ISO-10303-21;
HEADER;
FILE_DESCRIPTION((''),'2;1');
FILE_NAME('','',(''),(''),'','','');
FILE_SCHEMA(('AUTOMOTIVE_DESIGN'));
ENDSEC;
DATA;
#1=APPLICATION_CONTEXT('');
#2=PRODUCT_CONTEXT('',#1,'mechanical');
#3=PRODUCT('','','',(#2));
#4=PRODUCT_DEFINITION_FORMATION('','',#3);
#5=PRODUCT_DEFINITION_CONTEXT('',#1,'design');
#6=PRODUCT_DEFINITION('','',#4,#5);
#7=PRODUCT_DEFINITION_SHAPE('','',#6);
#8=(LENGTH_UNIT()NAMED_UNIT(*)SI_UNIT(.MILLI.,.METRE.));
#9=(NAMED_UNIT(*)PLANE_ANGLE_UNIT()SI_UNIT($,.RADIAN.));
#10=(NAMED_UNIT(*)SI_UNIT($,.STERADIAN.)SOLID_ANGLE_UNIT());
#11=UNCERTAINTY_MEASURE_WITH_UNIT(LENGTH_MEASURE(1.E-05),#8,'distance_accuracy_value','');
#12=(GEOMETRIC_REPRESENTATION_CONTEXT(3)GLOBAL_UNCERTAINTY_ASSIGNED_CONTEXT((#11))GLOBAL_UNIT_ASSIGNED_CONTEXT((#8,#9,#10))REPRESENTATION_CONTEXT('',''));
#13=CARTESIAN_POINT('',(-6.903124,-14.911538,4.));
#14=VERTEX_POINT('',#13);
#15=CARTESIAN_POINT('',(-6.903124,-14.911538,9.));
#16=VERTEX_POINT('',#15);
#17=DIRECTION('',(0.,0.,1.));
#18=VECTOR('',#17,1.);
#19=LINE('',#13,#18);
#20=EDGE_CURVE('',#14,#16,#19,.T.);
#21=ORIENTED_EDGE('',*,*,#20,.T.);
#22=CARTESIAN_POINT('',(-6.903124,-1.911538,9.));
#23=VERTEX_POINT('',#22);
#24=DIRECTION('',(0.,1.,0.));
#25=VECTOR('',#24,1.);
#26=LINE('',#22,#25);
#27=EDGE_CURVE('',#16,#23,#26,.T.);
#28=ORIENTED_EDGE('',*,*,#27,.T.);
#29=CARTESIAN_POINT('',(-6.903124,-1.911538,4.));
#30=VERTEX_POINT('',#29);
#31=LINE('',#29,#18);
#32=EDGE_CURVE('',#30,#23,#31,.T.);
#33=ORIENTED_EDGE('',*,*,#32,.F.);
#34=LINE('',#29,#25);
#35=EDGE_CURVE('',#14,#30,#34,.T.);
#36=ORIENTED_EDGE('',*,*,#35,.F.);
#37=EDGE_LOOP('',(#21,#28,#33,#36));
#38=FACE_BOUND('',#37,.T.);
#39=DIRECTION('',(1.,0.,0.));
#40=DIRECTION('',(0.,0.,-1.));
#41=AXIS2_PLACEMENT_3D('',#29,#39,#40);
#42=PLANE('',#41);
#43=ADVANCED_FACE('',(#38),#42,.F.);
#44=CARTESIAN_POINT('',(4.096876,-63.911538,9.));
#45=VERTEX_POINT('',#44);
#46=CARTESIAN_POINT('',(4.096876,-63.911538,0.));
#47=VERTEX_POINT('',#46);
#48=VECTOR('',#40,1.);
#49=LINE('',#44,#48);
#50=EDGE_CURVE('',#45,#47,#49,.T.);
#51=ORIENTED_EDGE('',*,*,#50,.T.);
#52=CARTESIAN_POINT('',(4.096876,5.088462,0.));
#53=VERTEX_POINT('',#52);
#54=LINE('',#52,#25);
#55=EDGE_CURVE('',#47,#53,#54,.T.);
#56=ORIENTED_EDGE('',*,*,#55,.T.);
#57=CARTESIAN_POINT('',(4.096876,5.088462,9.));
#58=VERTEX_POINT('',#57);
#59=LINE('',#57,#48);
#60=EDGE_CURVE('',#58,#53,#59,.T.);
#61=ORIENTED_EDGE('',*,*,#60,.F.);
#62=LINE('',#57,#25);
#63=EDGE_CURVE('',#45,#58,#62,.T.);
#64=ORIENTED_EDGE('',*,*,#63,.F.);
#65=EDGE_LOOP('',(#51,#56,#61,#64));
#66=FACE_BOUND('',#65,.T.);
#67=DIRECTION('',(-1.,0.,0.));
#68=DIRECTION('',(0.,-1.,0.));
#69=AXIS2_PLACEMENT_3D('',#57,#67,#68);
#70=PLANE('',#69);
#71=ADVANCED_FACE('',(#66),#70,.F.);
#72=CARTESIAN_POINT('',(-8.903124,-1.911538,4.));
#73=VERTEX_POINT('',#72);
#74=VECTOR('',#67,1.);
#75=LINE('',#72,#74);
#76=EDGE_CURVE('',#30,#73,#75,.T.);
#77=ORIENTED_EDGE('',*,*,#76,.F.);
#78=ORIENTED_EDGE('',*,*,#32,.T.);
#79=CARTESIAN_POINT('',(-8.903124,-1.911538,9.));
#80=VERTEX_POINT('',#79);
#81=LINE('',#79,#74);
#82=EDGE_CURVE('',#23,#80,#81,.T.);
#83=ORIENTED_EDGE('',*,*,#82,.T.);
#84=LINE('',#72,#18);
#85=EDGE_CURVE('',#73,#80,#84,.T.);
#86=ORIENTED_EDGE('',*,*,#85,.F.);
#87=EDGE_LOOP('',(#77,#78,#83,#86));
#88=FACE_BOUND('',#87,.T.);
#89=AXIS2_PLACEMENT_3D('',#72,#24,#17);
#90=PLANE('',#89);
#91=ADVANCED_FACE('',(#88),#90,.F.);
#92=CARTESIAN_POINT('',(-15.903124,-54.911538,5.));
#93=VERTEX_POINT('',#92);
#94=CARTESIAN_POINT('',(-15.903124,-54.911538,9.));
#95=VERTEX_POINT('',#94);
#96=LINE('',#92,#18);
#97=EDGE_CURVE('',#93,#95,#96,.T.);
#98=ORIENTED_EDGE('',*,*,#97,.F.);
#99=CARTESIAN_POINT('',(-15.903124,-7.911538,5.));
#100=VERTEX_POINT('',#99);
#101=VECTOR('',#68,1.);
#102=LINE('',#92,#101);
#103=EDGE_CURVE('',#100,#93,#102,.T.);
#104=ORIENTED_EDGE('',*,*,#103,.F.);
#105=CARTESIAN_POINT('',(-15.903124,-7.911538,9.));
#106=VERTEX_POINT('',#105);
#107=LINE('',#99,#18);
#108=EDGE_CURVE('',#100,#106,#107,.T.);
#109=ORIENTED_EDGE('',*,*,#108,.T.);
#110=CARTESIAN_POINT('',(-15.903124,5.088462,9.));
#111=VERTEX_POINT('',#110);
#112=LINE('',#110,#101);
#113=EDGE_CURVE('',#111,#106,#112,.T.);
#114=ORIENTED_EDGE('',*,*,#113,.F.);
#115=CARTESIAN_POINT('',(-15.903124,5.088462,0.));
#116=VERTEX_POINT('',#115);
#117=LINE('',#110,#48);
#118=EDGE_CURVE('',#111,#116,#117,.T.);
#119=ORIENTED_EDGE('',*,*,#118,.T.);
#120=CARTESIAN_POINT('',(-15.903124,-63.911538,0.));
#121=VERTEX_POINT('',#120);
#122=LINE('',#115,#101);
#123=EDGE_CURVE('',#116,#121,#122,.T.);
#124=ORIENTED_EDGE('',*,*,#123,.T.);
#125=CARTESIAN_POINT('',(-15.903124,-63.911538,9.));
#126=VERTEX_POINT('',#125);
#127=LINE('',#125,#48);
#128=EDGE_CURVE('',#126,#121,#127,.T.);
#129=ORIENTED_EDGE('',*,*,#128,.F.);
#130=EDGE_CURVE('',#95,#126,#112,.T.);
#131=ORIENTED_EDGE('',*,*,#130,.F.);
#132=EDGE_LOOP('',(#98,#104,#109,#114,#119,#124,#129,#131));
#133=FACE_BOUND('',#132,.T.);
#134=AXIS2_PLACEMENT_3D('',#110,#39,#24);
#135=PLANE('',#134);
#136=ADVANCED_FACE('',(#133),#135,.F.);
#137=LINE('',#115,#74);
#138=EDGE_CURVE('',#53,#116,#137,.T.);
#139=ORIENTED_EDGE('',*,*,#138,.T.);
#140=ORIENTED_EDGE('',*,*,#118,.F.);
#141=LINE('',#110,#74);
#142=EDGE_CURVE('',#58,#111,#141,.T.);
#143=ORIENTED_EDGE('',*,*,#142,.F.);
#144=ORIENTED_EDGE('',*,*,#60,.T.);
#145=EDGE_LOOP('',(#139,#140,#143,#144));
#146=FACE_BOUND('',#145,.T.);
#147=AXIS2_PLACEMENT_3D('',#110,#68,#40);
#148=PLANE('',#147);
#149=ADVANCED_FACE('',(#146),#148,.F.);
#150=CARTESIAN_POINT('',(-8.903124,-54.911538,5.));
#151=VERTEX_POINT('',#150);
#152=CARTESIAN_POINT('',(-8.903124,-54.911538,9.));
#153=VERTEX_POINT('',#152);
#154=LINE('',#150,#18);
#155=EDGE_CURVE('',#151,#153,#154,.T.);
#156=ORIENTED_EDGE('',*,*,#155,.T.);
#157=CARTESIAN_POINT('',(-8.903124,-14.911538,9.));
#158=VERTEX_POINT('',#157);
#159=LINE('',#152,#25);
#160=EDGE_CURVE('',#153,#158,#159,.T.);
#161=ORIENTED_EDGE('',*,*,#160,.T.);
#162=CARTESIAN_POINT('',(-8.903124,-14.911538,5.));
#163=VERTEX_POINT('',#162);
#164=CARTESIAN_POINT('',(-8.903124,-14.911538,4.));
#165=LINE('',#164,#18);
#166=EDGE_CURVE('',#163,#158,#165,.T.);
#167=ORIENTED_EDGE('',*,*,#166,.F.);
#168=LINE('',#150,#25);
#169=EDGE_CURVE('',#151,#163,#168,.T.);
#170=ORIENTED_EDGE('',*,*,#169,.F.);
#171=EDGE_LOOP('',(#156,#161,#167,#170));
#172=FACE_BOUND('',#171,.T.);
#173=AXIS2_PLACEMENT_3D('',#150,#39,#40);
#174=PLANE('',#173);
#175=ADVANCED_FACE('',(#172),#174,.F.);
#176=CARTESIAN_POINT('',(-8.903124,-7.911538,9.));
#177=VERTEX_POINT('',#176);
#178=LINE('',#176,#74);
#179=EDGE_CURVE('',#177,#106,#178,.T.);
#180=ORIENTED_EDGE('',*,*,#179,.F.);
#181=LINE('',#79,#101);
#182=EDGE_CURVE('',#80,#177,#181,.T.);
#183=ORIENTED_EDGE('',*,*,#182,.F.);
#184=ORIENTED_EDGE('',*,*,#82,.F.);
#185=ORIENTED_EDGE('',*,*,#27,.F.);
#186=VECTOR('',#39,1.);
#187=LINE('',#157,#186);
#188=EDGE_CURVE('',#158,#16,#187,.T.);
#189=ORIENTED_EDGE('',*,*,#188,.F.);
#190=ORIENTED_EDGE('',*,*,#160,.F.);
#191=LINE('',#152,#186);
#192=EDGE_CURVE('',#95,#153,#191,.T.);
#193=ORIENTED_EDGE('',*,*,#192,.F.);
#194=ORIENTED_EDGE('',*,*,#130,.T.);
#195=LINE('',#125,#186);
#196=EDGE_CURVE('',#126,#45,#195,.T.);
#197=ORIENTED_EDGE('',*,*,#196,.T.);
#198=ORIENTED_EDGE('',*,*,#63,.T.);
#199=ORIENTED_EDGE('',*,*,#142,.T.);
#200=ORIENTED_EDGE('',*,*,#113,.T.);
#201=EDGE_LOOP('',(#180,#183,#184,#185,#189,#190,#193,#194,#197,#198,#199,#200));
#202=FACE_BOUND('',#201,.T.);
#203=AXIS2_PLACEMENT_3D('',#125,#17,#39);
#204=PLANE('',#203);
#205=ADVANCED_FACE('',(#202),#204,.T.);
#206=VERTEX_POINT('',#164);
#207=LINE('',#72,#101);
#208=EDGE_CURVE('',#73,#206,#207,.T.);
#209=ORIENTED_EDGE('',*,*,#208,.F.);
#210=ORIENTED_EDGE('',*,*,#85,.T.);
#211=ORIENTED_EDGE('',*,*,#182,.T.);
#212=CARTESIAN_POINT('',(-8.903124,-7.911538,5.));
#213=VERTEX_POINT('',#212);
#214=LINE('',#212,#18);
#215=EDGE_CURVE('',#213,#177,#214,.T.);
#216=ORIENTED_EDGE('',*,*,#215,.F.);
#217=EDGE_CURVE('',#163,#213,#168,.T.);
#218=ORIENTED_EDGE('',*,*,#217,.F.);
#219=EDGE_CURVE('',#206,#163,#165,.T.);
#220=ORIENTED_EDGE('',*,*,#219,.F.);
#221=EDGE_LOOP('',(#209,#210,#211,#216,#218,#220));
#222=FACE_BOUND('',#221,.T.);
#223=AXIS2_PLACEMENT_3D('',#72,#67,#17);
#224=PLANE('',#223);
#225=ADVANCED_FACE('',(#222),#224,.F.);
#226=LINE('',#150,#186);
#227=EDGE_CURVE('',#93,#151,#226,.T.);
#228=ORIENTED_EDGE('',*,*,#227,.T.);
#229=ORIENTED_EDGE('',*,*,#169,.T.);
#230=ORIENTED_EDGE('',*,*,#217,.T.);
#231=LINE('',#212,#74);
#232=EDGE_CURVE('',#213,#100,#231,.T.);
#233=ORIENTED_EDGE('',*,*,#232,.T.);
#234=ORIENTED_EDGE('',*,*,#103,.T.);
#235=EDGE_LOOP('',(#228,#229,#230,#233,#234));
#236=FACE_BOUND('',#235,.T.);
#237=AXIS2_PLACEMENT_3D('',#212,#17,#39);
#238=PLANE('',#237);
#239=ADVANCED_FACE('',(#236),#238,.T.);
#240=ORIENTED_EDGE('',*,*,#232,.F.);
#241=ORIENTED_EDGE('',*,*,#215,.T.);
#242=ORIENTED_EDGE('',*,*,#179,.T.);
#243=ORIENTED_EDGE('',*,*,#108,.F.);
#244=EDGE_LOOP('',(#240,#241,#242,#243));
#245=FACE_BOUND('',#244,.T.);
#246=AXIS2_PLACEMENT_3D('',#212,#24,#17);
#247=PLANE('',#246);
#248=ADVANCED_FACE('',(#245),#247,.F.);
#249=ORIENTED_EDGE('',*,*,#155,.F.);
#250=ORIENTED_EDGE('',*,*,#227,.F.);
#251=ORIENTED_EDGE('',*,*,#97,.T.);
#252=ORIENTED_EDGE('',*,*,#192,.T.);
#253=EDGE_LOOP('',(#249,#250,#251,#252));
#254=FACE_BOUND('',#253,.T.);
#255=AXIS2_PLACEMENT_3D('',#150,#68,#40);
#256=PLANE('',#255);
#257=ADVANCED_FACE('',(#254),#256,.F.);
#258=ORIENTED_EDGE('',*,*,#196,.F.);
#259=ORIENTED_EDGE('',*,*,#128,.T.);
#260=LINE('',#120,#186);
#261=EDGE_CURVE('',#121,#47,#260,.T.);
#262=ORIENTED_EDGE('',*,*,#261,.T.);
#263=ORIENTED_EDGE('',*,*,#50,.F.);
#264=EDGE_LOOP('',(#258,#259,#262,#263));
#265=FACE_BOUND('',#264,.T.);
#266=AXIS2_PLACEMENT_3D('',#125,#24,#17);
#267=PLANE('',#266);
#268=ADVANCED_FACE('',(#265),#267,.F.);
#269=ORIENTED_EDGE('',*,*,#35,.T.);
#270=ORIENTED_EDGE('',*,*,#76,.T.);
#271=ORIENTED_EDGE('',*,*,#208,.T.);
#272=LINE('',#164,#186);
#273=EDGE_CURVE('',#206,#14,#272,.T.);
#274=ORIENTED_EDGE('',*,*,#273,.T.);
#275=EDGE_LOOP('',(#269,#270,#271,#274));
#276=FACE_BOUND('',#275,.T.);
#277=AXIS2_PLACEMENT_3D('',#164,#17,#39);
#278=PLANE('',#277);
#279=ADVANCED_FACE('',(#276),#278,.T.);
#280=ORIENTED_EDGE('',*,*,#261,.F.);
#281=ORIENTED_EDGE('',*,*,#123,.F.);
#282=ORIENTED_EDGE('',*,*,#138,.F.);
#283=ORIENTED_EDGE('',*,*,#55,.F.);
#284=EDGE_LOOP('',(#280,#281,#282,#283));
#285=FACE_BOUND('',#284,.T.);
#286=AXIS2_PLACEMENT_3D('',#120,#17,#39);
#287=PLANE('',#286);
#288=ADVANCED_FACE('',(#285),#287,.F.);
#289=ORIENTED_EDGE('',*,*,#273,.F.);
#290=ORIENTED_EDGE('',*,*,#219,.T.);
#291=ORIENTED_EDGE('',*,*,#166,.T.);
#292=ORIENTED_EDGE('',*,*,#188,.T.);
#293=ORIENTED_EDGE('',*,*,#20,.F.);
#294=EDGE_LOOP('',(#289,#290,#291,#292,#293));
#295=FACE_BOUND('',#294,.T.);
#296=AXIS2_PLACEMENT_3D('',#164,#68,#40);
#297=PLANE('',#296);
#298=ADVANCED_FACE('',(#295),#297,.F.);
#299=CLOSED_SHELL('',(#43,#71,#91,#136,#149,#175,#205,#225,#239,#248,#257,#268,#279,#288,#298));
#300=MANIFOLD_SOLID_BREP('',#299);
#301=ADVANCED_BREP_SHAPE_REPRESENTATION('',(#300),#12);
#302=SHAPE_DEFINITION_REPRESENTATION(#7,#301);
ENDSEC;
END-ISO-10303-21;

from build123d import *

# Parameters (mm, degrees)
ESQUISSE1_W             = 20
ESQUISSE1_H             = 69
EXTRUSION1_DEPTH        = 9
ESQUISSE2_W             = 7
ESQUISSE2_H             = 47
ENL_V_MAT_EXTRU_1_DEPTH = 4
ESQUISSE3_W             = 2
ESQUISSE3_H             = 13
ENL_V_MAT_EXTRU_2_DEPTH = 5


with BuildPart() as part:
    # Esquisse1 → Extrusion1 (new body)
    with BuildSketch(Plane.XY):
        with Locations((-5.903123543, -29.411538462)):
            Rectangle(ESQUISSE1_W, ESQUISSE1_H)
    extrude(amount=EXTRUSION1_DEPTH)

    # Esquisse2 → Enlèv. mat.-Extru.1 (cut)
    with BuildSketch(Plane.XY.offset(9)):
        with Locations((-12.403123543, -31.411538462)):
            Rectangle(ESQUISSE2_W, ESQUISSE2_H)
    extrude(amount=-ENL_V_MAT_EXTRU_1_DEPTH, mode=Mode.SUBTRACT)

    # Esquisse3 → Enlèv. mat.-Extru.2 (cut)
    with BuildSketch(Plane.XY.offset(9)):
        with Locations((-7.903123543, -8.411538462)):
            Rectangle(ESQUISSE3_W, ESQUISSE3_H)
    extrude(amount=-ENL_V_MAT_EXTRU_2_DEPTH, mode=Mode.SUBTRACT)


solid = part.part
